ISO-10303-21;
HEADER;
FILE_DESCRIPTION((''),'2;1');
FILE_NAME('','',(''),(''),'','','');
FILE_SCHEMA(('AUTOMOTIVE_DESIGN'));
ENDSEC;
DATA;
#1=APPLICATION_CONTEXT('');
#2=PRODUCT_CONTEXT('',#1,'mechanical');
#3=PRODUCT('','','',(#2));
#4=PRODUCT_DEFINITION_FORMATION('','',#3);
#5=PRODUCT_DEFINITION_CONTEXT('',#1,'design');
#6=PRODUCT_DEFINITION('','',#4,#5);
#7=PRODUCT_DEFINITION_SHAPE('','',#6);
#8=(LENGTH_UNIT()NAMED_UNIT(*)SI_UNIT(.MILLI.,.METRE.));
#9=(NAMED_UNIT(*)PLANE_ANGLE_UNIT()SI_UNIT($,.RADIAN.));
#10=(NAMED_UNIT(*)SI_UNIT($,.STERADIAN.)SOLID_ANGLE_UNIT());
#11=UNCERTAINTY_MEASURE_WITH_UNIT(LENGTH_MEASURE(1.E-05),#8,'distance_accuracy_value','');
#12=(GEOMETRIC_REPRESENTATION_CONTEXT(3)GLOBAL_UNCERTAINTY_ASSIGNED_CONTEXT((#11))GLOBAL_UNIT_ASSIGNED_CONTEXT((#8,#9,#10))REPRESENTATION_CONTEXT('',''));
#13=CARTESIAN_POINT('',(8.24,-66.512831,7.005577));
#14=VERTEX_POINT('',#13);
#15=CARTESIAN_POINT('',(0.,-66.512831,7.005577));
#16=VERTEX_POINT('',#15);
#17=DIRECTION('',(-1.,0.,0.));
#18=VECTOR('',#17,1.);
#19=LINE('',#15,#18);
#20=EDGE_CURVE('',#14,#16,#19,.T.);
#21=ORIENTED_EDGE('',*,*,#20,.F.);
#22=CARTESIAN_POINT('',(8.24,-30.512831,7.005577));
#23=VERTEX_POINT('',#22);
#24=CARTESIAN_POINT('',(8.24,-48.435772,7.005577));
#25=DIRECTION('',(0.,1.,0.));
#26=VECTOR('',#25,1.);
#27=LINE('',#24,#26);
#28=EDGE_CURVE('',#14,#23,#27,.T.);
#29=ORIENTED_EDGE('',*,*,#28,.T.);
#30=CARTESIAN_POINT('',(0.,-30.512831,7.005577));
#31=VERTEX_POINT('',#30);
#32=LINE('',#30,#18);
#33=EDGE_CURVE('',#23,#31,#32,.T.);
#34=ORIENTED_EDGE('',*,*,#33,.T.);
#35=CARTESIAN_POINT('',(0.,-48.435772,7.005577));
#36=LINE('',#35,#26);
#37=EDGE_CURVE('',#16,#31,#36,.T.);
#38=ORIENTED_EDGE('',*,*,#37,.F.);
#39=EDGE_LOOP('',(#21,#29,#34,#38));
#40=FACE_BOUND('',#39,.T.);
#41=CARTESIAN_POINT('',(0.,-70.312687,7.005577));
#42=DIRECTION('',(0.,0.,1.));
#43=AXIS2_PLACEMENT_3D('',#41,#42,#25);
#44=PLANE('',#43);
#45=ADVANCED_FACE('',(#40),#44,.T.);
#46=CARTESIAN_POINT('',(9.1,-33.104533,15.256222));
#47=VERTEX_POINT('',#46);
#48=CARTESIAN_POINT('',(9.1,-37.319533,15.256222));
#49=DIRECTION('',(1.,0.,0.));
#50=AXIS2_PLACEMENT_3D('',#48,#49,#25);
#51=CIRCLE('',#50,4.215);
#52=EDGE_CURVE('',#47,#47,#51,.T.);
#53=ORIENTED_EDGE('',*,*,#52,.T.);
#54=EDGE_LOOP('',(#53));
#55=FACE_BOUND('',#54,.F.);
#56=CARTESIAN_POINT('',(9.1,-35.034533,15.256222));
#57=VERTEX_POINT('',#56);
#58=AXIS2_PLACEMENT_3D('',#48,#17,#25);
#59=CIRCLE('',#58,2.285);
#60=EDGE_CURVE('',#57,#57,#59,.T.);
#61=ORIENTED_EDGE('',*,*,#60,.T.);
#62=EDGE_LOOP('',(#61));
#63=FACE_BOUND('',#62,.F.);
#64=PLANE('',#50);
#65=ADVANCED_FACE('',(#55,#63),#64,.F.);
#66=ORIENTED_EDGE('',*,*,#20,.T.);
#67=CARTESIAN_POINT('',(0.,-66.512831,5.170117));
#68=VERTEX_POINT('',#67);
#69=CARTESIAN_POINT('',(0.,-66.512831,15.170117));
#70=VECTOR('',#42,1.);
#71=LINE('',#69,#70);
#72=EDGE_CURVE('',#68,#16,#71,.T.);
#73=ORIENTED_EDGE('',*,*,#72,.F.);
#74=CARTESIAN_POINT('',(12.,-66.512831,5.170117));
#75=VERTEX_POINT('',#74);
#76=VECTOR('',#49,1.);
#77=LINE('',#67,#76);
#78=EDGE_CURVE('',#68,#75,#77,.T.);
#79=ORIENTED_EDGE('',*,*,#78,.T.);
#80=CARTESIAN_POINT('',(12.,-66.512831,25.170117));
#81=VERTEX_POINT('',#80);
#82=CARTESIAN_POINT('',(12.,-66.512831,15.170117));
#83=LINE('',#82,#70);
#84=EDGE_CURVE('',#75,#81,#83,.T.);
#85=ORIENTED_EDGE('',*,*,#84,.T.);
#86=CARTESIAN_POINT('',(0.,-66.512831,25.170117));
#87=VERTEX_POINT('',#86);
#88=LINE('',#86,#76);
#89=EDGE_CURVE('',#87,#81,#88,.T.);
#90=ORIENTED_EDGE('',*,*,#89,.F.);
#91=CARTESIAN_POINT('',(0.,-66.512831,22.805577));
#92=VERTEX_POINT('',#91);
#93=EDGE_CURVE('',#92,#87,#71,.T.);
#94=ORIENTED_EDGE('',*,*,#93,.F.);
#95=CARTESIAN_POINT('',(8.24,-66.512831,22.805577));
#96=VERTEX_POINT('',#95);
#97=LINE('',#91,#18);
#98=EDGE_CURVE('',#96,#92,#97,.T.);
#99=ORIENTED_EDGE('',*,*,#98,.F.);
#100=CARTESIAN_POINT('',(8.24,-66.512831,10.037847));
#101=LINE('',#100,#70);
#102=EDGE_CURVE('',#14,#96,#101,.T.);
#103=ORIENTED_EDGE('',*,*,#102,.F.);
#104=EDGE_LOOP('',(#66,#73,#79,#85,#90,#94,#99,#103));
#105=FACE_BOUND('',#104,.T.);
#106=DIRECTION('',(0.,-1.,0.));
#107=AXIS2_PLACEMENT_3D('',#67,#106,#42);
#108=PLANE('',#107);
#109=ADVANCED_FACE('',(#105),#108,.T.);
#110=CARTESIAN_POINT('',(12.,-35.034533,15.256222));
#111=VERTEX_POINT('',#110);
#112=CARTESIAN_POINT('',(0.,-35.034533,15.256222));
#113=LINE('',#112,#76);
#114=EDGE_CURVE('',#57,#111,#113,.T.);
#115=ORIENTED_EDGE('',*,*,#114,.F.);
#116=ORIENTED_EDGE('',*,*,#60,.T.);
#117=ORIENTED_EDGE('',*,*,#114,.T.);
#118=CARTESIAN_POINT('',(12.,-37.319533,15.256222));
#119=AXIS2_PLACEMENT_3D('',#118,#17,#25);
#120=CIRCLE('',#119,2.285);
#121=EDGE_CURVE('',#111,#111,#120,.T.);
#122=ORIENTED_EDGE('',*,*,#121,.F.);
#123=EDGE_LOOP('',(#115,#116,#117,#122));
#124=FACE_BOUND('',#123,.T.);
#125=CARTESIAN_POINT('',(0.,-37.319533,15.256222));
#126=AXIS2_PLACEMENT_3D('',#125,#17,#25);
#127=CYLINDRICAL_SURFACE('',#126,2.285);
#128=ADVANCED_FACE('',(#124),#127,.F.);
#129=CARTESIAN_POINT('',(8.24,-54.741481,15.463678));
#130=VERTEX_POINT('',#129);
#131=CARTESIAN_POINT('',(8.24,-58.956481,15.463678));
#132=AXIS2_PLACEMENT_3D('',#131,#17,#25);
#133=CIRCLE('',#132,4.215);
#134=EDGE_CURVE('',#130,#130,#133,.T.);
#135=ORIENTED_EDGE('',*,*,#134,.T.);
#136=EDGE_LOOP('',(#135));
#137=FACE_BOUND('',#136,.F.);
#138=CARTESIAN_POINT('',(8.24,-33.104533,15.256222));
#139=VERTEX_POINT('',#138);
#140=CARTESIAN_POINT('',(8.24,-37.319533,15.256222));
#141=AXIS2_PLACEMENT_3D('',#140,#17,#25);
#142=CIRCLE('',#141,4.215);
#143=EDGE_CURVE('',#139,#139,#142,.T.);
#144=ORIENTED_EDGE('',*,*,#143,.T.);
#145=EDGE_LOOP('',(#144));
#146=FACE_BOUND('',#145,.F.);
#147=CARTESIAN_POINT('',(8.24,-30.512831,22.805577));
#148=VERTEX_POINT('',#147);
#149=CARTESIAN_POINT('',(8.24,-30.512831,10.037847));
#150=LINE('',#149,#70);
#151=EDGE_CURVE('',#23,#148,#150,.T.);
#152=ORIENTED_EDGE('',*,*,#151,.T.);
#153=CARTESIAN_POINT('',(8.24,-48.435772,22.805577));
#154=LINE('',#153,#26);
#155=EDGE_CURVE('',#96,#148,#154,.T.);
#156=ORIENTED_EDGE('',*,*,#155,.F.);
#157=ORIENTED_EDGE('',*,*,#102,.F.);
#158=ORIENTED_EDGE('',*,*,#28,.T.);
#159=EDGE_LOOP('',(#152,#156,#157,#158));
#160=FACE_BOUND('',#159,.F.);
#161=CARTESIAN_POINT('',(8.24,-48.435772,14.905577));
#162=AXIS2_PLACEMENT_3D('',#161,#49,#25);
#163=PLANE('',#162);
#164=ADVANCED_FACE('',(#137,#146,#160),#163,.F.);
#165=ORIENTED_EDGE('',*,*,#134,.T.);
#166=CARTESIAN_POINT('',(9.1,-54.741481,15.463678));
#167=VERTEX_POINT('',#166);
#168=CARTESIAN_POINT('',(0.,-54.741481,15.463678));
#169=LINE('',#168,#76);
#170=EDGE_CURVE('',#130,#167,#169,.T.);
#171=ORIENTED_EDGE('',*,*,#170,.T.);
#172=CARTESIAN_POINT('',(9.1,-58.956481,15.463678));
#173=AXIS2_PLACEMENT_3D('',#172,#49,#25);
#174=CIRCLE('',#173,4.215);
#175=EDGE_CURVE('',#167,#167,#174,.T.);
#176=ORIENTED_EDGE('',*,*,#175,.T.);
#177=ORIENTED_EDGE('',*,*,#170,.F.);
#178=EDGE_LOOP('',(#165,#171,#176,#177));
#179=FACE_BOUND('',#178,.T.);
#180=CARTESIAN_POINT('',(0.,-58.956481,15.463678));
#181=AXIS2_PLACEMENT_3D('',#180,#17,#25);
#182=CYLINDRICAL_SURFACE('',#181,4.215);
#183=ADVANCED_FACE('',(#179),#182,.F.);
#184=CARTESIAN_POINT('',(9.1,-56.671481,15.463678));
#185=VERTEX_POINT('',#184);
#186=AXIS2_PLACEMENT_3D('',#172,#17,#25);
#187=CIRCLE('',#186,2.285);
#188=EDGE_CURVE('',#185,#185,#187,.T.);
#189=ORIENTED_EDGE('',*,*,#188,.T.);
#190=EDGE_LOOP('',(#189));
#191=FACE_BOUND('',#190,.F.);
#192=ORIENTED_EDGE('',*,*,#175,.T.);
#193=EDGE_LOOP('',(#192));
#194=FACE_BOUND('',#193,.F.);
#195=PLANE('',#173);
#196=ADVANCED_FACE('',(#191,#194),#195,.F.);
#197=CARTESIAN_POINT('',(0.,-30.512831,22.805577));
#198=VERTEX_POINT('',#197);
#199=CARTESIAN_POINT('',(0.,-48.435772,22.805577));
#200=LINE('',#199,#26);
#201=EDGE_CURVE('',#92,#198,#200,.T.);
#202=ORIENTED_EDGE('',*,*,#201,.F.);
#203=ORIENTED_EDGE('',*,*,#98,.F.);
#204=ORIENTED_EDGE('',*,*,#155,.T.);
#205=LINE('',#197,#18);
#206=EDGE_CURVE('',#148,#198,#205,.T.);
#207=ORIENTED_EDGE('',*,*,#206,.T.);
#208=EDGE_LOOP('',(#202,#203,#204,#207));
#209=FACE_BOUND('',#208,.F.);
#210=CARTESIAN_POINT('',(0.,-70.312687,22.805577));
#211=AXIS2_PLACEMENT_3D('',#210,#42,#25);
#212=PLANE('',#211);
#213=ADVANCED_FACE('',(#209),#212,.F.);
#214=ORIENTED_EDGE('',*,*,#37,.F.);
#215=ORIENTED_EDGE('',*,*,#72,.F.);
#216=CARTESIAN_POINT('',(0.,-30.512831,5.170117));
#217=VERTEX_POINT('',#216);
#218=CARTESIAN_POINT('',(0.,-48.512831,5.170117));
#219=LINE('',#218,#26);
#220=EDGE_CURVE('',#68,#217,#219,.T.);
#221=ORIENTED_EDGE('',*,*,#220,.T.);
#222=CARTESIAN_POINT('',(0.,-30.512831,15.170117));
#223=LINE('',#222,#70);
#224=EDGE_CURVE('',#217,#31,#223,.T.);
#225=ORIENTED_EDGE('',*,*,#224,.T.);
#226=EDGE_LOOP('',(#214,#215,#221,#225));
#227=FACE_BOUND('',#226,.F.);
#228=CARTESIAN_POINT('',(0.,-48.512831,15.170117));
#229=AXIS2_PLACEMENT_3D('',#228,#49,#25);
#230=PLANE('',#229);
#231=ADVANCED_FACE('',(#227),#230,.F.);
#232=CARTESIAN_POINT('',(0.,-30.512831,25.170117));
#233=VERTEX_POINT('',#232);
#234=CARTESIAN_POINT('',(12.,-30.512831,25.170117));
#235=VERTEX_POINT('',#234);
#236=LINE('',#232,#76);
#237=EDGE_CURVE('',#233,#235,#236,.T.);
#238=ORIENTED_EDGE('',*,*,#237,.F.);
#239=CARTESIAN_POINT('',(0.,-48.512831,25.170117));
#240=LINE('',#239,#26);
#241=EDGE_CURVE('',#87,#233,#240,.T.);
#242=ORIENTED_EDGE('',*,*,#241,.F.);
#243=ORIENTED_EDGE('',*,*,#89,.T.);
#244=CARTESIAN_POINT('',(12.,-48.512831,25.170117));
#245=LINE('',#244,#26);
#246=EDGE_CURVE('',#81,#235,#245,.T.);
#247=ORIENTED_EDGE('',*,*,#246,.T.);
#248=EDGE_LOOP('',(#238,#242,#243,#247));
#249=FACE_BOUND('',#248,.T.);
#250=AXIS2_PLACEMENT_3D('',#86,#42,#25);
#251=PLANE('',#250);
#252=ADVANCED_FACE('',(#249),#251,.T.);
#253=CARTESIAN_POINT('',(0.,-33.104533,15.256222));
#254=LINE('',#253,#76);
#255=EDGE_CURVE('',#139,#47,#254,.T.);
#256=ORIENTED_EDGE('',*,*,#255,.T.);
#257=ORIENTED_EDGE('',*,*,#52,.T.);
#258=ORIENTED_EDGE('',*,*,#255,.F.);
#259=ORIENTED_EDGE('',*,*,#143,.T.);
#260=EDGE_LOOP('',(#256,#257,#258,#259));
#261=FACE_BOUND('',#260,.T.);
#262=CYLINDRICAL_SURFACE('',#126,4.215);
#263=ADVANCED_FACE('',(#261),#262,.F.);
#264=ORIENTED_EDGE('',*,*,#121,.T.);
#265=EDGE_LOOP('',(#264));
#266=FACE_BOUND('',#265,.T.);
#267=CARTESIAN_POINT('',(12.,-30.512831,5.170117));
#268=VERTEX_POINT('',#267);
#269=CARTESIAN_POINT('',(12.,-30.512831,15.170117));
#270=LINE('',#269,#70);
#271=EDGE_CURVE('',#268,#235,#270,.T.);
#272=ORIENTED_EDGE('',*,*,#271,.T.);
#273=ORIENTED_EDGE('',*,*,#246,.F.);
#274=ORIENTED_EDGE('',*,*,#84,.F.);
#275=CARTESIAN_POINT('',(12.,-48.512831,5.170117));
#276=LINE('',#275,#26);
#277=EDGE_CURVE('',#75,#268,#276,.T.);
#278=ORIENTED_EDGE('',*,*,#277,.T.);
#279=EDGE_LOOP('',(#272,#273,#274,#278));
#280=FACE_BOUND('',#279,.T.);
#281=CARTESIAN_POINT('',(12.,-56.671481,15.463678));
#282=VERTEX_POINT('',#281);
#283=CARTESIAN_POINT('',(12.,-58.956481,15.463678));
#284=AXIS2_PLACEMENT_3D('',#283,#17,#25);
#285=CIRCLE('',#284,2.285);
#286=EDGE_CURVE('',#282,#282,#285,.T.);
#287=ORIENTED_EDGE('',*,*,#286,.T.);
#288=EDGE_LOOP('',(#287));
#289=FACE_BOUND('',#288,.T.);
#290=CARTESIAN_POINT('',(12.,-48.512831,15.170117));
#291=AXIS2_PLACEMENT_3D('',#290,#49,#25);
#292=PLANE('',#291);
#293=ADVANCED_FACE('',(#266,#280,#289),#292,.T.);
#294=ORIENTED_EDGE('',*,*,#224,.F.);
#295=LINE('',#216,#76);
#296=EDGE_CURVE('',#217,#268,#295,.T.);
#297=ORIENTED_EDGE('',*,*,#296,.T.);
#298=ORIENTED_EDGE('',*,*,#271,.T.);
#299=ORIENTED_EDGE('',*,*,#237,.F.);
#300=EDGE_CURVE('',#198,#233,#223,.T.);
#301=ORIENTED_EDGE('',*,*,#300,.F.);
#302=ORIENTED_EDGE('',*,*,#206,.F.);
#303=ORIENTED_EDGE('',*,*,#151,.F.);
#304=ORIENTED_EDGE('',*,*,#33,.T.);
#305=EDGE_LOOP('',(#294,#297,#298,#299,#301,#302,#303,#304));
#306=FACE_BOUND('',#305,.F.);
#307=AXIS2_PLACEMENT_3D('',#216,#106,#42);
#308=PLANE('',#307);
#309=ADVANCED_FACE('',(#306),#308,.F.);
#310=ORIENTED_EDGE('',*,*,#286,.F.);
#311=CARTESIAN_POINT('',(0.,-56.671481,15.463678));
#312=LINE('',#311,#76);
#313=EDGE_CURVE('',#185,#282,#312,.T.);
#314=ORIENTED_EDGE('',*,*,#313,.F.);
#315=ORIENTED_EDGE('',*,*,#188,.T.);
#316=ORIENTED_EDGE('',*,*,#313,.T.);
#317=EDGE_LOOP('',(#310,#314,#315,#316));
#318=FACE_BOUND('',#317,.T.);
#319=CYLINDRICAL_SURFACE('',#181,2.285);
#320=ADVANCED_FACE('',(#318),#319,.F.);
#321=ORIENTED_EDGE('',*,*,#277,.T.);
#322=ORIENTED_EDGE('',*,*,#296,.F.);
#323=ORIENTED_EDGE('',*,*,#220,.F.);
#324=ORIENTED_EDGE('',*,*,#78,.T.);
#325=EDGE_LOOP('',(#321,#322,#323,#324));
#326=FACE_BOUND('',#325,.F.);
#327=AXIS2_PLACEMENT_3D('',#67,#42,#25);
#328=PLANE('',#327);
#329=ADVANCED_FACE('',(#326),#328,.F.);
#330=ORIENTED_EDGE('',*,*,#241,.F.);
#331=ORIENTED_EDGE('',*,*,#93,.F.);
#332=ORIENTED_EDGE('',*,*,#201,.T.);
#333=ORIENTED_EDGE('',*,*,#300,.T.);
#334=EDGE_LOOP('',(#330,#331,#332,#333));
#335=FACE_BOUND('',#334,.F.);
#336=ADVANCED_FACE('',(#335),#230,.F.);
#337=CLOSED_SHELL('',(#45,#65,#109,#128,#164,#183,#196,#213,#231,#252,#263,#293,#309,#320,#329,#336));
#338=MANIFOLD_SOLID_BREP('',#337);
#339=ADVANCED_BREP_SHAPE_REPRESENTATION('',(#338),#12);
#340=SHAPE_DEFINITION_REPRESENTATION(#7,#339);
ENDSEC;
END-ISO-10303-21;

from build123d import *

# Parameters (mm, degrees)
F0_W     = 36
F0_H     = 20
F1_DEPTH = 12
F2_W     = 43.75383
F2_H     = 15.8
F3_DEPTH = 8.24
F4_R     = 2.285
F5_DEPTH = 34.9
F6_R     = 4.215
F7_DEPTH = 9.1


with BuildPart() as f1:
    # F0 (on Right) → F1 (new body)
    with BuildSketch(Plane.YZ):
        with Locations((-48.512831, 15.170117)):
            Rectangle(F0_W, F0_H)
    extrude(amount=F1_DEPTH)

    # F2 (on Right) → F3 (cut)
    with BuildSketch(Plane.YZ):
        with Locations((-48.435772, 14.905577)):
            Rectangle(F2_W, F2_H)
    extrude(amount=F3_DEPTH, mode=Mode.SUBTRACT)

    # F4 (on Right) → F5 (cut)
    with BuildSketch(Plane.YZ):
        with Locations((-37.319533, 15.256222)):
            Circle(F4_R)
        with Locations((-58.956481, 15.463678)):
            Circle(F4_R)
    extrude(amount=F5_DEPTH, mode=Mode.SUBTRACT)

    # F6 (on Right) → F7 (cut)
    with BuildSketch(Plane.YZ):
        with Locations((-37.319533, 15.256222)):
            Circle(F6_R)
        with Locations((-58.956481, 15.463678)):
            Circle(F6_R)
    extrude(amount=F7_DEPTH, mode=Mode.SUBTRACT)


solid = f1.part
